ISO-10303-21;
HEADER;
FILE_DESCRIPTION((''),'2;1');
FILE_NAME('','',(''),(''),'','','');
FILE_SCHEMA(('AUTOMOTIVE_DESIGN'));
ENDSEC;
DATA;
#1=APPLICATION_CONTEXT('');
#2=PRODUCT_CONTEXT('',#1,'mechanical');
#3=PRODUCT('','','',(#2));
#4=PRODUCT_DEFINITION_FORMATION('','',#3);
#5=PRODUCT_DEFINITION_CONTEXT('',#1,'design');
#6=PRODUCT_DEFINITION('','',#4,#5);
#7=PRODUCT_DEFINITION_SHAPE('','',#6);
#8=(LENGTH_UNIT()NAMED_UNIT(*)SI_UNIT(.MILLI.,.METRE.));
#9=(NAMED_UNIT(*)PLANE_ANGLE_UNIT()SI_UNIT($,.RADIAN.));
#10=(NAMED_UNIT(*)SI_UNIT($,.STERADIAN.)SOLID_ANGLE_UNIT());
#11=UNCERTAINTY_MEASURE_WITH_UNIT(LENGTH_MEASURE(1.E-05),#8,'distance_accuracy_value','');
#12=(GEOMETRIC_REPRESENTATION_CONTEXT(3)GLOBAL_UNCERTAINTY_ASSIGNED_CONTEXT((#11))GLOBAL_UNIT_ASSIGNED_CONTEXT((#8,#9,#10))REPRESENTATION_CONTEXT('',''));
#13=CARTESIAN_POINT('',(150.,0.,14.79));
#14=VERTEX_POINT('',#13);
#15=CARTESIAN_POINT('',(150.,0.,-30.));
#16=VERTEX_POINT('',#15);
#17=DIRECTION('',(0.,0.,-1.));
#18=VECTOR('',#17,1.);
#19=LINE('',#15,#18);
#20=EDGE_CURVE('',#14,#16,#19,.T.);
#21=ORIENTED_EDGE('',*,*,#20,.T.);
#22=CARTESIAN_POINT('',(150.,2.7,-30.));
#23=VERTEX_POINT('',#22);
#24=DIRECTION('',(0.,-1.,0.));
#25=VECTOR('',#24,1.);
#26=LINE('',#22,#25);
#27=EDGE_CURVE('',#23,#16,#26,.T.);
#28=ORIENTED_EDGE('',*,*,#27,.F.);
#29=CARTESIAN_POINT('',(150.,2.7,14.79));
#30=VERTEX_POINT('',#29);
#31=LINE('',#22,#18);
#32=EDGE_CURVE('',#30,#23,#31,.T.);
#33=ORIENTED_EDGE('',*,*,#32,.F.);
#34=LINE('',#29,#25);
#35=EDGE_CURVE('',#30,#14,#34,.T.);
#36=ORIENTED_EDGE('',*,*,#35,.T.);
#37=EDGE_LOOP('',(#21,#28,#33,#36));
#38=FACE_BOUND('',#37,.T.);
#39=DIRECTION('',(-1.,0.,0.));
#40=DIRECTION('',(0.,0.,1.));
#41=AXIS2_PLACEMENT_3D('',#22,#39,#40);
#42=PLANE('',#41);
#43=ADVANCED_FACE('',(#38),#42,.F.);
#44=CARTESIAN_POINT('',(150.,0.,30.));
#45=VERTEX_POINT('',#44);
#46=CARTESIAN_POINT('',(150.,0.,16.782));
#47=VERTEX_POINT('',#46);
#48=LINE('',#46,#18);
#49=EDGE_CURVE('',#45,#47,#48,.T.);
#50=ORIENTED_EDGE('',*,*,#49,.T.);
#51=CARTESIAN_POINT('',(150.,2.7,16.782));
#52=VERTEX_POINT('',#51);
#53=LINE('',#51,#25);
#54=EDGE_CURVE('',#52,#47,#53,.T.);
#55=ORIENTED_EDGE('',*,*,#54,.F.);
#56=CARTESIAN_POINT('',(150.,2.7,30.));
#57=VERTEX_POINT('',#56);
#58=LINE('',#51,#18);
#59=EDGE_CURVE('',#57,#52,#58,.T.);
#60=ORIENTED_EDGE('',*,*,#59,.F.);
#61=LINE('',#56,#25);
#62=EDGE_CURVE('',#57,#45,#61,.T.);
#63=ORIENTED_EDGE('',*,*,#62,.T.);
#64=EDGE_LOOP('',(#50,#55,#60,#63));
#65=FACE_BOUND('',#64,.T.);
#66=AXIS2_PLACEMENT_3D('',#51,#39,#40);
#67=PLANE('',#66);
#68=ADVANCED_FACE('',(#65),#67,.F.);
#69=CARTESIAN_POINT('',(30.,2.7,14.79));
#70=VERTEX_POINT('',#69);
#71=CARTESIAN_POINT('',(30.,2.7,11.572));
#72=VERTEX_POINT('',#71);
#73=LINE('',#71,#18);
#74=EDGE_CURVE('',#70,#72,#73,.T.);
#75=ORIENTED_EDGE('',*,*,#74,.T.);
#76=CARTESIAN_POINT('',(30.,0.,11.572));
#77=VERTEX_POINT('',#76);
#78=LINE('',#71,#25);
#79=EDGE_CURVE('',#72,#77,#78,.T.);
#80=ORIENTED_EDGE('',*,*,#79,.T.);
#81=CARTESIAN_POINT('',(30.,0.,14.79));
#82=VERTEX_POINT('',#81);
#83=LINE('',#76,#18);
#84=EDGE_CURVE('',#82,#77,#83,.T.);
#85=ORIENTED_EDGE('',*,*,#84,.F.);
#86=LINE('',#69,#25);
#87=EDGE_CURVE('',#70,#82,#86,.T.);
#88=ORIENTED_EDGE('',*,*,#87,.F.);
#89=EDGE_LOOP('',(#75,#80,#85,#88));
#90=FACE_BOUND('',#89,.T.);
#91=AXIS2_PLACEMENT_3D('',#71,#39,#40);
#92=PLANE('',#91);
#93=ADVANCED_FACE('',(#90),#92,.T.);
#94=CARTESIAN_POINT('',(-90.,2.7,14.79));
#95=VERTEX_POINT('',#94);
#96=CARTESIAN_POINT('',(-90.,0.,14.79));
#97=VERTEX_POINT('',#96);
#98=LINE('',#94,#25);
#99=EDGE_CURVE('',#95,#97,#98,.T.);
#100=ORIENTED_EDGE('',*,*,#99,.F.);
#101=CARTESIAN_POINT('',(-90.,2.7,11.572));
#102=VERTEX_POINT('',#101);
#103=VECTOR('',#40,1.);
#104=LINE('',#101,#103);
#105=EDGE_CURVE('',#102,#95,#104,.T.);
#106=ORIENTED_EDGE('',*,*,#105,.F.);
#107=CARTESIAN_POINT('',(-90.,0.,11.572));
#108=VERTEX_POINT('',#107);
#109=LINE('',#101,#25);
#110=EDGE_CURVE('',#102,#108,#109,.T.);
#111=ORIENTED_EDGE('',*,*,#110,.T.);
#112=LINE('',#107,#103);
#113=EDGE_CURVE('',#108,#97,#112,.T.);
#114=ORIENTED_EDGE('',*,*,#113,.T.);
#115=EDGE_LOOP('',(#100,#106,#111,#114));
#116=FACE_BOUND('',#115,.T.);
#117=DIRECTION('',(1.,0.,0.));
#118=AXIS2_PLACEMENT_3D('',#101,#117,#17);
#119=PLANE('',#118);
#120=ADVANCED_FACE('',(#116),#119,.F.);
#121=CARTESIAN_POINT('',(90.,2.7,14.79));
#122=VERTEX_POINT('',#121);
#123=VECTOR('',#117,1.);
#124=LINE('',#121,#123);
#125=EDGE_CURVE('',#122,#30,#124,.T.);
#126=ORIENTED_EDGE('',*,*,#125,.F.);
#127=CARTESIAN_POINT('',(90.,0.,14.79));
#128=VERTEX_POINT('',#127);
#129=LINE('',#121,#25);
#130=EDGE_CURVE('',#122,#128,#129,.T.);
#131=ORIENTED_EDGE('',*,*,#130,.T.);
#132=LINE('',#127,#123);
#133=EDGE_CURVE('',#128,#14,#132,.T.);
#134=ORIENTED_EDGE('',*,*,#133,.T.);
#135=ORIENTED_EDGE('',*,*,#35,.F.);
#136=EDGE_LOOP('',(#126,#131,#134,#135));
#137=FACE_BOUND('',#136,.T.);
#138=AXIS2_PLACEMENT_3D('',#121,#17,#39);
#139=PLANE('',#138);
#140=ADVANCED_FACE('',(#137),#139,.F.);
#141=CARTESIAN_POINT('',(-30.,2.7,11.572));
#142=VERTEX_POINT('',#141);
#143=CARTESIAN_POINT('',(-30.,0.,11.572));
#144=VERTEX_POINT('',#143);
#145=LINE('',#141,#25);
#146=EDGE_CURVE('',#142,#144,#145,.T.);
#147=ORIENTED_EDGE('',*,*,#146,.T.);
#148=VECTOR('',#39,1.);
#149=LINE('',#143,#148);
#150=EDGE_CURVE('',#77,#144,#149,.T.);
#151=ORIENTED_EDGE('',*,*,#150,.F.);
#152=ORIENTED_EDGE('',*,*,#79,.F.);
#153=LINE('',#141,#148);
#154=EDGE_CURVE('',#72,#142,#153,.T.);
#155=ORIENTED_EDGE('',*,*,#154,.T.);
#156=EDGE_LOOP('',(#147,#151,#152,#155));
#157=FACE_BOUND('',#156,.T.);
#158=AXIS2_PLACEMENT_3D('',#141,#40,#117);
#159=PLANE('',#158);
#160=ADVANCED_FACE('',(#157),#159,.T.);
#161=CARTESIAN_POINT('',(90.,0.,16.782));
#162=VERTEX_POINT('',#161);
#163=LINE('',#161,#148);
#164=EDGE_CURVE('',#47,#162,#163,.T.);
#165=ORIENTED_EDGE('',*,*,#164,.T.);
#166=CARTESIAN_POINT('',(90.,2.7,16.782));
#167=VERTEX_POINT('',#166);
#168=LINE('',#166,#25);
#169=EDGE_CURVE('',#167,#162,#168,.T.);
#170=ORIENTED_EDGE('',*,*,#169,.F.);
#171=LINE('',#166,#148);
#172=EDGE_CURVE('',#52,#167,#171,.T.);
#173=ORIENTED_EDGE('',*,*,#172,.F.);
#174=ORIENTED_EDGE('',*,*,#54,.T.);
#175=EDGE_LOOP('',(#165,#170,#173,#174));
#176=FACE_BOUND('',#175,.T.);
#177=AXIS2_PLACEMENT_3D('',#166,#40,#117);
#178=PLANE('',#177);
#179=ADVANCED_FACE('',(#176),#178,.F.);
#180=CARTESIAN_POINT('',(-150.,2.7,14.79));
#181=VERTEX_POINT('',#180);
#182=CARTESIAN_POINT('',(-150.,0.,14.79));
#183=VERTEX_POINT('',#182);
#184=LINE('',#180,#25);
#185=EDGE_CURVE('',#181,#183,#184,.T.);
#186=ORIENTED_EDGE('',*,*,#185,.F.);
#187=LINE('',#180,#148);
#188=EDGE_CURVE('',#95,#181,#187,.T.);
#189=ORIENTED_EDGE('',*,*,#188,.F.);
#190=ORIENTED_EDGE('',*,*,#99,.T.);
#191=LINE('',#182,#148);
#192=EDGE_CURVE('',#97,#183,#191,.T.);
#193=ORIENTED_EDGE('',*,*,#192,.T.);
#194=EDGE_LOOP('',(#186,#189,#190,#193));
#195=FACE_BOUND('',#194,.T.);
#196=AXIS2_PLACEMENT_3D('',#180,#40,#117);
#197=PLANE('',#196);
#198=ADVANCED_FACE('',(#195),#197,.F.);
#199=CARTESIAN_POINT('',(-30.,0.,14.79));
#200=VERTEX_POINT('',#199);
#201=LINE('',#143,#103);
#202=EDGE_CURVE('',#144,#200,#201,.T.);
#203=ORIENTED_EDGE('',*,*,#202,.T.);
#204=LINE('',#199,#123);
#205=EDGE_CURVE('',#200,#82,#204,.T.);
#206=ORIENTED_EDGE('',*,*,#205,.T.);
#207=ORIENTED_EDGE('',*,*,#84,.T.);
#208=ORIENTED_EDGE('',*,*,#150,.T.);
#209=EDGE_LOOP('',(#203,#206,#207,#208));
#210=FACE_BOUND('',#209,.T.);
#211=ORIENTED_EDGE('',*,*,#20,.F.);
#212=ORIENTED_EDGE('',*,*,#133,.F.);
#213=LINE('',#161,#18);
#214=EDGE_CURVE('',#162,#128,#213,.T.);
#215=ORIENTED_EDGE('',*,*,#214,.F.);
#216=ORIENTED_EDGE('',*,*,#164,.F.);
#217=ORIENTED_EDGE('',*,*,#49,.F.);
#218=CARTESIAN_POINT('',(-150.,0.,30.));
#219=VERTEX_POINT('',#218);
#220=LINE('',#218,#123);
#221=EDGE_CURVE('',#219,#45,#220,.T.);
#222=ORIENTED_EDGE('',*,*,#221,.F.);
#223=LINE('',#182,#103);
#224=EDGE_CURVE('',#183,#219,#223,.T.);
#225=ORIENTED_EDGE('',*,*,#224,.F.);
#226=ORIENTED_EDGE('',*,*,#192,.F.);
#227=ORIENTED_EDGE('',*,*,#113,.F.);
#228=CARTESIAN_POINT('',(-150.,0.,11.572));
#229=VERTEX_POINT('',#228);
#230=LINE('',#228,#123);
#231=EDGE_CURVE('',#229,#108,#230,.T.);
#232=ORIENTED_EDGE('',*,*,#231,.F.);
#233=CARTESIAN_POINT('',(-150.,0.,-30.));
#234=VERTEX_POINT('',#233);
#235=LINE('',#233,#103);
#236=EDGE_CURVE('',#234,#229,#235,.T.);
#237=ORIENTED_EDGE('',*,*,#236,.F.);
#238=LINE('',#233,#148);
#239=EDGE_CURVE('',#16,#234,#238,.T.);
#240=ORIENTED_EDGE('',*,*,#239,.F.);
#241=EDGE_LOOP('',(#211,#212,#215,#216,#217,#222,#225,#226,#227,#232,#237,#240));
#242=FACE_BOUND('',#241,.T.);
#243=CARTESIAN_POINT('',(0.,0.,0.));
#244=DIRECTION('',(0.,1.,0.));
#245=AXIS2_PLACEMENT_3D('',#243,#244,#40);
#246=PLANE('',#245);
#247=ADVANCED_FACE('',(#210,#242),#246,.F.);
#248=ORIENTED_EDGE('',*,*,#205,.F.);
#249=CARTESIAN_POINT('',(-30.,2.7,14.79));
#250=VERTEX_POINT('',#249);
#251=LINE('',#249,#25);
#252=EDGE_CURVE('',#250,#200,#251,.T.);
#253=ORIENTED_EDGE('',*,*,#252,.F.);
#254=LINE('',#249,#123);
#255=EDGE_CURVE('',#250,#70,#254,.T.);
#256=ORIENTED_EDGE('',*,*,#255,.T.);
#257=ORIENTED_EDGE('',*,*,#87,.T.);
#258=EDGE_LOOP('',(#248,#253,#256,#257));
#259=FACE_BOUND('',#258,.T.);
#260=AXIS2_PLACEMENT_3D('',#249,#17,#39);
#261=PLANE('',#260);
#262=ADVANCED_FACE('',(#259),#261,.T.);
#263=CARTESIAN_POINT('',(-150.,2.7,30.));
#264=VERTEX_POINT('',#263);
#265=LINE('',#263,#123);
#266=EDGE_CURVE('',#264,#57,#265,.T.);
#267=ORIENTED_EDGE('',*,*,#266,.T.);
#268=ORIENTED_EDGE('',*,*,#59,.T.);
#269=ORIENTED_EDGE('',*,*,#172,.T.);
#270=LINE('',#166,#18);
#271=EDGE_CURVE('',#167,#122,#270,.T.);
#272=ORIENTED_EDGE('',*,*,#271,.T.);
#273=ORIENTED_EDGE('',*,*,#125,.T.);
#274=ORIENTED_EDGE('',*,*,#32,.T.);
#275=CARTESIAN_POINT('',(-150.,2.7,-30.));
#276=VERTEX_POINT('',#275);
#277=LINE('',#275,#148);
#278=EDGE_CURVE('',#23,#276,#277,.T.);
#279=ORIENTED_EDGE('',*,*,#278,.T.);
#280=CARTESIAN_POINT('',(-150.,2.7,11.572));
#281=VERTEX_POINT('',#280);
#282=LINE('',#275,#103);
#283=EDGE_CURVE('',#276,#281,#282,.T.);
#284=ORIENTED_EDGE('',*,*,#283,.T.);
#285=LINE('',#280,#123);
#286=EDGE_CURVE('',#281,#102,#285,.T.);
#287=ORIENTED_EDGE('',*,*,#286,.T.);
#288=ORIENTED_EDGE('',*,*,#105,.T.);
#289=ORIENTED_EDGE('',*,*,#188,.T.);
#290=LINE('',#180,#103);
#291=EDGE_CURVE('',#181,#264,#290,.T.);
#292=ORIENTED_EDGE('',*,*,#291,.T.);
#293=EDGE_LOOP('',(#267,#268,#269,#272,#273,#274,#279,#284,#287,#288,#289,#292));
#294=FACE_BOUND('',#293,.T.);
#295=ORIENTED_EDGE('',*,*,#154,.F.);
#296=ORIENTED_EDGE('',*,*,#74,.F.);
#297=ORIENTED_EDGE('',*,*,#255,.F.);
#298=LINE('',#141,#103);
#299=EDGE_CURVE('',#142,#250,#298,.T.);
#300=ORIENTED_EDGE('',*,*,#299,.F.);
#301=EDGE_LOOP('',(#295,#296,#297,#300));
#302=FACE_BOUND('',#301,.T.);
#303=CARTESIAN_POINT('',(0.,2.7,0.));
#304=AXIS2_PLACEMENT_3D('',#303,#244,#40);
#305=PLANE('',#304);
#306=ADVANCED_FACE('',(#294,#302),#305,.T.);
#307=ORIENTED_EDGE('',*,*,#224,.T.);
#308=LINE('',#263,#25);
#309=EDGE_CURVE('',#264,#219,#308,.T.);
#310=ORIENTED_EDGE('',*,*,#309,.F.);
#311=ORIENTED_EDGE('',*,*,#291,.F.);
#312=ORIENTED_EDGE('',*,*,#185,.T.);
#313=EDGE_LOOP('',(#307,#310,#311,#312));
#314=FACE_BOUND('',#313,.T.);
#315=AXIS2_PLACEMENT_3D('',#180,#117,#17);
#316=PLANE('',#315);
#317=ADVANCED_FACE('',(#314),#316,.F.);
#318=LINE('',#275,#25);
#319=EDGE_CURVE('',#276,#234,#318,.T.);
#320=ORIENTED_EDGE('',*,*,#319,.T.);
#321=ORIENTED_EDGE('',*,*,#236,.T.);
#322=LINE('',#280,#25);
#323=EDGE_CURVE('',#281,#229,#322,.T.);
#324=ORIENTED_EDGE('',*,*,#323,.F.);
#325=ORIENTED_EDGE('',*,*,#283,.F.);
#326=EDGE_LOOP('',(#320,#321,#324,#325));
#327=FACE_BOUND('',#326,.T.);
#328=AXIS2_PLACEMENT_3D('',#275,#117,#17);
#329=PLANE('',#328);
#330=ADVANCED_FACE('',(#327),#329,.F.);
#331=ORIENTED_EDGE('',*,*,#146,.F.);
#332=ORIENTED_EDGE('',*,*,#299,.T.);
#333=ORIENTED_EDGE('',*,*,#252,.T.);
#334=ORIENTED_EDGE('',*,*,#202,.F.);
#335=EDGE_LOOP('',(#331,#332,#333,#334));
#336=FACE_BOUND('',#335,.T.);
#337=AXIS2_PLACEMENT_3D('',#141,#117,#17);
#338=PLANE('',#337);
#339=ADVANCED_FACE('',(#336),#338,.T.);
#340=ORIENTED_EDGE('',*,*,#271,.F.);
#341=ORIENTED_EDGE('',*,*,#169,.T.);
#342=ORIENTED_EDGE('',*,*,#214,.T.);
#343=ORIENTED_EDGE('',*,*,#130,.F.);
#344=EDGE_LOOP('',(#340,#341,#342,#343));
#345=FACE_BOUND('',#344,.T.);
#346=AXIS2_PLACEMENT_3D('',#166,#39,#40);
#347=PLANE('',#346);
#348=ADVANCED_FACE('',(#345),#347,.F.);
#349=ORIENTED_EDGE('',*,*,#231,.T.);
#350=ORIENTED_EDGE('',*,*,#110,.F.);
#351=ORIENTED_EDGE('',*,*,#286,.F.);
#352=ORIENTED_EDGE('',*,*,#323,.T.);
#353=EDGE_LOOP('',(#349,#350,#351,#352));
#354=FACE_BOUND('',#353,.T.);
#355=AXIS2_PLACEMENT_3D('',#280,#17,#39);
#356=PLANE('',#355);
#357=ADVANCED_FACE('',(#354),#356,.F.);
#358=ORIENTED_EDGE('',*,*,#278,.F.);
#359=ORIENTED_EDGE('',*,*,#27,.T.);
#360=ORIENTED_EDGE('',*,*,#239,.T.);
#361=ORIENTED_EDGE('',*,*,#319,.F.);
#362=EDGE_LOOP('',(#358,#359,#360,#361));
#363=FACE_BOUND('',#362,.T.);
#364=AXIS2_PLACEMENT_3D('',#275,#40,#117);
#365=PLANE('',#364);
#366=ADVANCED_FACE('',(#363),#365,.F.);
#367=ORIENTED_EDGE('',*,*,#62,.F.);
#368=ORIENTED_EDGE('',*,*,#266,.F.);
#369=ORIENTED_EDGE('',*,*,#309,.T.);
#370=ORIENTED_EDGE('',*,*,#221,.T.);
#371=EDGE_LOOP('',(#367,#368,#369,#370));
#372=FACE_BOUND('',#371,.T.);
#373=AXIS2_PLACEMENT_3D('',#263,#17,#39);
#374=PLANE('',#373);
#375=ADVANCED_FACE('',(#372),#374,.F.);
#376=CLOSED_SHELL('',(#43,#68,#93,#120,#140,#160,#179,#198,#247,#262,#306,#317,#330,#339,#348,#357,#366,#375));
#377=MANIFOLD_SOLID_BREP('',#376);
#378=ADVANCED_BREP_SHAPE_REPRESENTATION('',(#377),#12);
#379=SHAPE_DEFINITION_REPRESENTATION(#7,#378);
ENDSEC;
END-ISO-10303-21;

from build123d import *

# Parameters (mm, degrees)
SKETCH1_W           = 60
SKETCH1_H           = 3.218
BOSS_EXTRUDE1_DEPTH = 2.7


with BuildPart() as part:
    # Sketch1 → Boss-Extrude1 (new body)
    with BuildSketch(Plane(origin=(0, 0, 0), x_dir=(1, 0, 0), z_dir=(0, 1, 0))):
        Polygon((-150, -14.79), (-90, -14.79), (-90, -11.572), (-150, -11.572), (-150, 30), (150, 30), (150, -14.79), (90, -14.79), (90, -16.782), (150, -16.782), (150, -30), (-150, -30), align=None)
        with Locations((0, -13.181)):
            Rectangle(SKETCH1_W, SKETCH1_H, mode=Mode.SUBTRACT)
    extrude(amount=BOSS_EXTRUDE1_DEPTH)


solid = part.part
